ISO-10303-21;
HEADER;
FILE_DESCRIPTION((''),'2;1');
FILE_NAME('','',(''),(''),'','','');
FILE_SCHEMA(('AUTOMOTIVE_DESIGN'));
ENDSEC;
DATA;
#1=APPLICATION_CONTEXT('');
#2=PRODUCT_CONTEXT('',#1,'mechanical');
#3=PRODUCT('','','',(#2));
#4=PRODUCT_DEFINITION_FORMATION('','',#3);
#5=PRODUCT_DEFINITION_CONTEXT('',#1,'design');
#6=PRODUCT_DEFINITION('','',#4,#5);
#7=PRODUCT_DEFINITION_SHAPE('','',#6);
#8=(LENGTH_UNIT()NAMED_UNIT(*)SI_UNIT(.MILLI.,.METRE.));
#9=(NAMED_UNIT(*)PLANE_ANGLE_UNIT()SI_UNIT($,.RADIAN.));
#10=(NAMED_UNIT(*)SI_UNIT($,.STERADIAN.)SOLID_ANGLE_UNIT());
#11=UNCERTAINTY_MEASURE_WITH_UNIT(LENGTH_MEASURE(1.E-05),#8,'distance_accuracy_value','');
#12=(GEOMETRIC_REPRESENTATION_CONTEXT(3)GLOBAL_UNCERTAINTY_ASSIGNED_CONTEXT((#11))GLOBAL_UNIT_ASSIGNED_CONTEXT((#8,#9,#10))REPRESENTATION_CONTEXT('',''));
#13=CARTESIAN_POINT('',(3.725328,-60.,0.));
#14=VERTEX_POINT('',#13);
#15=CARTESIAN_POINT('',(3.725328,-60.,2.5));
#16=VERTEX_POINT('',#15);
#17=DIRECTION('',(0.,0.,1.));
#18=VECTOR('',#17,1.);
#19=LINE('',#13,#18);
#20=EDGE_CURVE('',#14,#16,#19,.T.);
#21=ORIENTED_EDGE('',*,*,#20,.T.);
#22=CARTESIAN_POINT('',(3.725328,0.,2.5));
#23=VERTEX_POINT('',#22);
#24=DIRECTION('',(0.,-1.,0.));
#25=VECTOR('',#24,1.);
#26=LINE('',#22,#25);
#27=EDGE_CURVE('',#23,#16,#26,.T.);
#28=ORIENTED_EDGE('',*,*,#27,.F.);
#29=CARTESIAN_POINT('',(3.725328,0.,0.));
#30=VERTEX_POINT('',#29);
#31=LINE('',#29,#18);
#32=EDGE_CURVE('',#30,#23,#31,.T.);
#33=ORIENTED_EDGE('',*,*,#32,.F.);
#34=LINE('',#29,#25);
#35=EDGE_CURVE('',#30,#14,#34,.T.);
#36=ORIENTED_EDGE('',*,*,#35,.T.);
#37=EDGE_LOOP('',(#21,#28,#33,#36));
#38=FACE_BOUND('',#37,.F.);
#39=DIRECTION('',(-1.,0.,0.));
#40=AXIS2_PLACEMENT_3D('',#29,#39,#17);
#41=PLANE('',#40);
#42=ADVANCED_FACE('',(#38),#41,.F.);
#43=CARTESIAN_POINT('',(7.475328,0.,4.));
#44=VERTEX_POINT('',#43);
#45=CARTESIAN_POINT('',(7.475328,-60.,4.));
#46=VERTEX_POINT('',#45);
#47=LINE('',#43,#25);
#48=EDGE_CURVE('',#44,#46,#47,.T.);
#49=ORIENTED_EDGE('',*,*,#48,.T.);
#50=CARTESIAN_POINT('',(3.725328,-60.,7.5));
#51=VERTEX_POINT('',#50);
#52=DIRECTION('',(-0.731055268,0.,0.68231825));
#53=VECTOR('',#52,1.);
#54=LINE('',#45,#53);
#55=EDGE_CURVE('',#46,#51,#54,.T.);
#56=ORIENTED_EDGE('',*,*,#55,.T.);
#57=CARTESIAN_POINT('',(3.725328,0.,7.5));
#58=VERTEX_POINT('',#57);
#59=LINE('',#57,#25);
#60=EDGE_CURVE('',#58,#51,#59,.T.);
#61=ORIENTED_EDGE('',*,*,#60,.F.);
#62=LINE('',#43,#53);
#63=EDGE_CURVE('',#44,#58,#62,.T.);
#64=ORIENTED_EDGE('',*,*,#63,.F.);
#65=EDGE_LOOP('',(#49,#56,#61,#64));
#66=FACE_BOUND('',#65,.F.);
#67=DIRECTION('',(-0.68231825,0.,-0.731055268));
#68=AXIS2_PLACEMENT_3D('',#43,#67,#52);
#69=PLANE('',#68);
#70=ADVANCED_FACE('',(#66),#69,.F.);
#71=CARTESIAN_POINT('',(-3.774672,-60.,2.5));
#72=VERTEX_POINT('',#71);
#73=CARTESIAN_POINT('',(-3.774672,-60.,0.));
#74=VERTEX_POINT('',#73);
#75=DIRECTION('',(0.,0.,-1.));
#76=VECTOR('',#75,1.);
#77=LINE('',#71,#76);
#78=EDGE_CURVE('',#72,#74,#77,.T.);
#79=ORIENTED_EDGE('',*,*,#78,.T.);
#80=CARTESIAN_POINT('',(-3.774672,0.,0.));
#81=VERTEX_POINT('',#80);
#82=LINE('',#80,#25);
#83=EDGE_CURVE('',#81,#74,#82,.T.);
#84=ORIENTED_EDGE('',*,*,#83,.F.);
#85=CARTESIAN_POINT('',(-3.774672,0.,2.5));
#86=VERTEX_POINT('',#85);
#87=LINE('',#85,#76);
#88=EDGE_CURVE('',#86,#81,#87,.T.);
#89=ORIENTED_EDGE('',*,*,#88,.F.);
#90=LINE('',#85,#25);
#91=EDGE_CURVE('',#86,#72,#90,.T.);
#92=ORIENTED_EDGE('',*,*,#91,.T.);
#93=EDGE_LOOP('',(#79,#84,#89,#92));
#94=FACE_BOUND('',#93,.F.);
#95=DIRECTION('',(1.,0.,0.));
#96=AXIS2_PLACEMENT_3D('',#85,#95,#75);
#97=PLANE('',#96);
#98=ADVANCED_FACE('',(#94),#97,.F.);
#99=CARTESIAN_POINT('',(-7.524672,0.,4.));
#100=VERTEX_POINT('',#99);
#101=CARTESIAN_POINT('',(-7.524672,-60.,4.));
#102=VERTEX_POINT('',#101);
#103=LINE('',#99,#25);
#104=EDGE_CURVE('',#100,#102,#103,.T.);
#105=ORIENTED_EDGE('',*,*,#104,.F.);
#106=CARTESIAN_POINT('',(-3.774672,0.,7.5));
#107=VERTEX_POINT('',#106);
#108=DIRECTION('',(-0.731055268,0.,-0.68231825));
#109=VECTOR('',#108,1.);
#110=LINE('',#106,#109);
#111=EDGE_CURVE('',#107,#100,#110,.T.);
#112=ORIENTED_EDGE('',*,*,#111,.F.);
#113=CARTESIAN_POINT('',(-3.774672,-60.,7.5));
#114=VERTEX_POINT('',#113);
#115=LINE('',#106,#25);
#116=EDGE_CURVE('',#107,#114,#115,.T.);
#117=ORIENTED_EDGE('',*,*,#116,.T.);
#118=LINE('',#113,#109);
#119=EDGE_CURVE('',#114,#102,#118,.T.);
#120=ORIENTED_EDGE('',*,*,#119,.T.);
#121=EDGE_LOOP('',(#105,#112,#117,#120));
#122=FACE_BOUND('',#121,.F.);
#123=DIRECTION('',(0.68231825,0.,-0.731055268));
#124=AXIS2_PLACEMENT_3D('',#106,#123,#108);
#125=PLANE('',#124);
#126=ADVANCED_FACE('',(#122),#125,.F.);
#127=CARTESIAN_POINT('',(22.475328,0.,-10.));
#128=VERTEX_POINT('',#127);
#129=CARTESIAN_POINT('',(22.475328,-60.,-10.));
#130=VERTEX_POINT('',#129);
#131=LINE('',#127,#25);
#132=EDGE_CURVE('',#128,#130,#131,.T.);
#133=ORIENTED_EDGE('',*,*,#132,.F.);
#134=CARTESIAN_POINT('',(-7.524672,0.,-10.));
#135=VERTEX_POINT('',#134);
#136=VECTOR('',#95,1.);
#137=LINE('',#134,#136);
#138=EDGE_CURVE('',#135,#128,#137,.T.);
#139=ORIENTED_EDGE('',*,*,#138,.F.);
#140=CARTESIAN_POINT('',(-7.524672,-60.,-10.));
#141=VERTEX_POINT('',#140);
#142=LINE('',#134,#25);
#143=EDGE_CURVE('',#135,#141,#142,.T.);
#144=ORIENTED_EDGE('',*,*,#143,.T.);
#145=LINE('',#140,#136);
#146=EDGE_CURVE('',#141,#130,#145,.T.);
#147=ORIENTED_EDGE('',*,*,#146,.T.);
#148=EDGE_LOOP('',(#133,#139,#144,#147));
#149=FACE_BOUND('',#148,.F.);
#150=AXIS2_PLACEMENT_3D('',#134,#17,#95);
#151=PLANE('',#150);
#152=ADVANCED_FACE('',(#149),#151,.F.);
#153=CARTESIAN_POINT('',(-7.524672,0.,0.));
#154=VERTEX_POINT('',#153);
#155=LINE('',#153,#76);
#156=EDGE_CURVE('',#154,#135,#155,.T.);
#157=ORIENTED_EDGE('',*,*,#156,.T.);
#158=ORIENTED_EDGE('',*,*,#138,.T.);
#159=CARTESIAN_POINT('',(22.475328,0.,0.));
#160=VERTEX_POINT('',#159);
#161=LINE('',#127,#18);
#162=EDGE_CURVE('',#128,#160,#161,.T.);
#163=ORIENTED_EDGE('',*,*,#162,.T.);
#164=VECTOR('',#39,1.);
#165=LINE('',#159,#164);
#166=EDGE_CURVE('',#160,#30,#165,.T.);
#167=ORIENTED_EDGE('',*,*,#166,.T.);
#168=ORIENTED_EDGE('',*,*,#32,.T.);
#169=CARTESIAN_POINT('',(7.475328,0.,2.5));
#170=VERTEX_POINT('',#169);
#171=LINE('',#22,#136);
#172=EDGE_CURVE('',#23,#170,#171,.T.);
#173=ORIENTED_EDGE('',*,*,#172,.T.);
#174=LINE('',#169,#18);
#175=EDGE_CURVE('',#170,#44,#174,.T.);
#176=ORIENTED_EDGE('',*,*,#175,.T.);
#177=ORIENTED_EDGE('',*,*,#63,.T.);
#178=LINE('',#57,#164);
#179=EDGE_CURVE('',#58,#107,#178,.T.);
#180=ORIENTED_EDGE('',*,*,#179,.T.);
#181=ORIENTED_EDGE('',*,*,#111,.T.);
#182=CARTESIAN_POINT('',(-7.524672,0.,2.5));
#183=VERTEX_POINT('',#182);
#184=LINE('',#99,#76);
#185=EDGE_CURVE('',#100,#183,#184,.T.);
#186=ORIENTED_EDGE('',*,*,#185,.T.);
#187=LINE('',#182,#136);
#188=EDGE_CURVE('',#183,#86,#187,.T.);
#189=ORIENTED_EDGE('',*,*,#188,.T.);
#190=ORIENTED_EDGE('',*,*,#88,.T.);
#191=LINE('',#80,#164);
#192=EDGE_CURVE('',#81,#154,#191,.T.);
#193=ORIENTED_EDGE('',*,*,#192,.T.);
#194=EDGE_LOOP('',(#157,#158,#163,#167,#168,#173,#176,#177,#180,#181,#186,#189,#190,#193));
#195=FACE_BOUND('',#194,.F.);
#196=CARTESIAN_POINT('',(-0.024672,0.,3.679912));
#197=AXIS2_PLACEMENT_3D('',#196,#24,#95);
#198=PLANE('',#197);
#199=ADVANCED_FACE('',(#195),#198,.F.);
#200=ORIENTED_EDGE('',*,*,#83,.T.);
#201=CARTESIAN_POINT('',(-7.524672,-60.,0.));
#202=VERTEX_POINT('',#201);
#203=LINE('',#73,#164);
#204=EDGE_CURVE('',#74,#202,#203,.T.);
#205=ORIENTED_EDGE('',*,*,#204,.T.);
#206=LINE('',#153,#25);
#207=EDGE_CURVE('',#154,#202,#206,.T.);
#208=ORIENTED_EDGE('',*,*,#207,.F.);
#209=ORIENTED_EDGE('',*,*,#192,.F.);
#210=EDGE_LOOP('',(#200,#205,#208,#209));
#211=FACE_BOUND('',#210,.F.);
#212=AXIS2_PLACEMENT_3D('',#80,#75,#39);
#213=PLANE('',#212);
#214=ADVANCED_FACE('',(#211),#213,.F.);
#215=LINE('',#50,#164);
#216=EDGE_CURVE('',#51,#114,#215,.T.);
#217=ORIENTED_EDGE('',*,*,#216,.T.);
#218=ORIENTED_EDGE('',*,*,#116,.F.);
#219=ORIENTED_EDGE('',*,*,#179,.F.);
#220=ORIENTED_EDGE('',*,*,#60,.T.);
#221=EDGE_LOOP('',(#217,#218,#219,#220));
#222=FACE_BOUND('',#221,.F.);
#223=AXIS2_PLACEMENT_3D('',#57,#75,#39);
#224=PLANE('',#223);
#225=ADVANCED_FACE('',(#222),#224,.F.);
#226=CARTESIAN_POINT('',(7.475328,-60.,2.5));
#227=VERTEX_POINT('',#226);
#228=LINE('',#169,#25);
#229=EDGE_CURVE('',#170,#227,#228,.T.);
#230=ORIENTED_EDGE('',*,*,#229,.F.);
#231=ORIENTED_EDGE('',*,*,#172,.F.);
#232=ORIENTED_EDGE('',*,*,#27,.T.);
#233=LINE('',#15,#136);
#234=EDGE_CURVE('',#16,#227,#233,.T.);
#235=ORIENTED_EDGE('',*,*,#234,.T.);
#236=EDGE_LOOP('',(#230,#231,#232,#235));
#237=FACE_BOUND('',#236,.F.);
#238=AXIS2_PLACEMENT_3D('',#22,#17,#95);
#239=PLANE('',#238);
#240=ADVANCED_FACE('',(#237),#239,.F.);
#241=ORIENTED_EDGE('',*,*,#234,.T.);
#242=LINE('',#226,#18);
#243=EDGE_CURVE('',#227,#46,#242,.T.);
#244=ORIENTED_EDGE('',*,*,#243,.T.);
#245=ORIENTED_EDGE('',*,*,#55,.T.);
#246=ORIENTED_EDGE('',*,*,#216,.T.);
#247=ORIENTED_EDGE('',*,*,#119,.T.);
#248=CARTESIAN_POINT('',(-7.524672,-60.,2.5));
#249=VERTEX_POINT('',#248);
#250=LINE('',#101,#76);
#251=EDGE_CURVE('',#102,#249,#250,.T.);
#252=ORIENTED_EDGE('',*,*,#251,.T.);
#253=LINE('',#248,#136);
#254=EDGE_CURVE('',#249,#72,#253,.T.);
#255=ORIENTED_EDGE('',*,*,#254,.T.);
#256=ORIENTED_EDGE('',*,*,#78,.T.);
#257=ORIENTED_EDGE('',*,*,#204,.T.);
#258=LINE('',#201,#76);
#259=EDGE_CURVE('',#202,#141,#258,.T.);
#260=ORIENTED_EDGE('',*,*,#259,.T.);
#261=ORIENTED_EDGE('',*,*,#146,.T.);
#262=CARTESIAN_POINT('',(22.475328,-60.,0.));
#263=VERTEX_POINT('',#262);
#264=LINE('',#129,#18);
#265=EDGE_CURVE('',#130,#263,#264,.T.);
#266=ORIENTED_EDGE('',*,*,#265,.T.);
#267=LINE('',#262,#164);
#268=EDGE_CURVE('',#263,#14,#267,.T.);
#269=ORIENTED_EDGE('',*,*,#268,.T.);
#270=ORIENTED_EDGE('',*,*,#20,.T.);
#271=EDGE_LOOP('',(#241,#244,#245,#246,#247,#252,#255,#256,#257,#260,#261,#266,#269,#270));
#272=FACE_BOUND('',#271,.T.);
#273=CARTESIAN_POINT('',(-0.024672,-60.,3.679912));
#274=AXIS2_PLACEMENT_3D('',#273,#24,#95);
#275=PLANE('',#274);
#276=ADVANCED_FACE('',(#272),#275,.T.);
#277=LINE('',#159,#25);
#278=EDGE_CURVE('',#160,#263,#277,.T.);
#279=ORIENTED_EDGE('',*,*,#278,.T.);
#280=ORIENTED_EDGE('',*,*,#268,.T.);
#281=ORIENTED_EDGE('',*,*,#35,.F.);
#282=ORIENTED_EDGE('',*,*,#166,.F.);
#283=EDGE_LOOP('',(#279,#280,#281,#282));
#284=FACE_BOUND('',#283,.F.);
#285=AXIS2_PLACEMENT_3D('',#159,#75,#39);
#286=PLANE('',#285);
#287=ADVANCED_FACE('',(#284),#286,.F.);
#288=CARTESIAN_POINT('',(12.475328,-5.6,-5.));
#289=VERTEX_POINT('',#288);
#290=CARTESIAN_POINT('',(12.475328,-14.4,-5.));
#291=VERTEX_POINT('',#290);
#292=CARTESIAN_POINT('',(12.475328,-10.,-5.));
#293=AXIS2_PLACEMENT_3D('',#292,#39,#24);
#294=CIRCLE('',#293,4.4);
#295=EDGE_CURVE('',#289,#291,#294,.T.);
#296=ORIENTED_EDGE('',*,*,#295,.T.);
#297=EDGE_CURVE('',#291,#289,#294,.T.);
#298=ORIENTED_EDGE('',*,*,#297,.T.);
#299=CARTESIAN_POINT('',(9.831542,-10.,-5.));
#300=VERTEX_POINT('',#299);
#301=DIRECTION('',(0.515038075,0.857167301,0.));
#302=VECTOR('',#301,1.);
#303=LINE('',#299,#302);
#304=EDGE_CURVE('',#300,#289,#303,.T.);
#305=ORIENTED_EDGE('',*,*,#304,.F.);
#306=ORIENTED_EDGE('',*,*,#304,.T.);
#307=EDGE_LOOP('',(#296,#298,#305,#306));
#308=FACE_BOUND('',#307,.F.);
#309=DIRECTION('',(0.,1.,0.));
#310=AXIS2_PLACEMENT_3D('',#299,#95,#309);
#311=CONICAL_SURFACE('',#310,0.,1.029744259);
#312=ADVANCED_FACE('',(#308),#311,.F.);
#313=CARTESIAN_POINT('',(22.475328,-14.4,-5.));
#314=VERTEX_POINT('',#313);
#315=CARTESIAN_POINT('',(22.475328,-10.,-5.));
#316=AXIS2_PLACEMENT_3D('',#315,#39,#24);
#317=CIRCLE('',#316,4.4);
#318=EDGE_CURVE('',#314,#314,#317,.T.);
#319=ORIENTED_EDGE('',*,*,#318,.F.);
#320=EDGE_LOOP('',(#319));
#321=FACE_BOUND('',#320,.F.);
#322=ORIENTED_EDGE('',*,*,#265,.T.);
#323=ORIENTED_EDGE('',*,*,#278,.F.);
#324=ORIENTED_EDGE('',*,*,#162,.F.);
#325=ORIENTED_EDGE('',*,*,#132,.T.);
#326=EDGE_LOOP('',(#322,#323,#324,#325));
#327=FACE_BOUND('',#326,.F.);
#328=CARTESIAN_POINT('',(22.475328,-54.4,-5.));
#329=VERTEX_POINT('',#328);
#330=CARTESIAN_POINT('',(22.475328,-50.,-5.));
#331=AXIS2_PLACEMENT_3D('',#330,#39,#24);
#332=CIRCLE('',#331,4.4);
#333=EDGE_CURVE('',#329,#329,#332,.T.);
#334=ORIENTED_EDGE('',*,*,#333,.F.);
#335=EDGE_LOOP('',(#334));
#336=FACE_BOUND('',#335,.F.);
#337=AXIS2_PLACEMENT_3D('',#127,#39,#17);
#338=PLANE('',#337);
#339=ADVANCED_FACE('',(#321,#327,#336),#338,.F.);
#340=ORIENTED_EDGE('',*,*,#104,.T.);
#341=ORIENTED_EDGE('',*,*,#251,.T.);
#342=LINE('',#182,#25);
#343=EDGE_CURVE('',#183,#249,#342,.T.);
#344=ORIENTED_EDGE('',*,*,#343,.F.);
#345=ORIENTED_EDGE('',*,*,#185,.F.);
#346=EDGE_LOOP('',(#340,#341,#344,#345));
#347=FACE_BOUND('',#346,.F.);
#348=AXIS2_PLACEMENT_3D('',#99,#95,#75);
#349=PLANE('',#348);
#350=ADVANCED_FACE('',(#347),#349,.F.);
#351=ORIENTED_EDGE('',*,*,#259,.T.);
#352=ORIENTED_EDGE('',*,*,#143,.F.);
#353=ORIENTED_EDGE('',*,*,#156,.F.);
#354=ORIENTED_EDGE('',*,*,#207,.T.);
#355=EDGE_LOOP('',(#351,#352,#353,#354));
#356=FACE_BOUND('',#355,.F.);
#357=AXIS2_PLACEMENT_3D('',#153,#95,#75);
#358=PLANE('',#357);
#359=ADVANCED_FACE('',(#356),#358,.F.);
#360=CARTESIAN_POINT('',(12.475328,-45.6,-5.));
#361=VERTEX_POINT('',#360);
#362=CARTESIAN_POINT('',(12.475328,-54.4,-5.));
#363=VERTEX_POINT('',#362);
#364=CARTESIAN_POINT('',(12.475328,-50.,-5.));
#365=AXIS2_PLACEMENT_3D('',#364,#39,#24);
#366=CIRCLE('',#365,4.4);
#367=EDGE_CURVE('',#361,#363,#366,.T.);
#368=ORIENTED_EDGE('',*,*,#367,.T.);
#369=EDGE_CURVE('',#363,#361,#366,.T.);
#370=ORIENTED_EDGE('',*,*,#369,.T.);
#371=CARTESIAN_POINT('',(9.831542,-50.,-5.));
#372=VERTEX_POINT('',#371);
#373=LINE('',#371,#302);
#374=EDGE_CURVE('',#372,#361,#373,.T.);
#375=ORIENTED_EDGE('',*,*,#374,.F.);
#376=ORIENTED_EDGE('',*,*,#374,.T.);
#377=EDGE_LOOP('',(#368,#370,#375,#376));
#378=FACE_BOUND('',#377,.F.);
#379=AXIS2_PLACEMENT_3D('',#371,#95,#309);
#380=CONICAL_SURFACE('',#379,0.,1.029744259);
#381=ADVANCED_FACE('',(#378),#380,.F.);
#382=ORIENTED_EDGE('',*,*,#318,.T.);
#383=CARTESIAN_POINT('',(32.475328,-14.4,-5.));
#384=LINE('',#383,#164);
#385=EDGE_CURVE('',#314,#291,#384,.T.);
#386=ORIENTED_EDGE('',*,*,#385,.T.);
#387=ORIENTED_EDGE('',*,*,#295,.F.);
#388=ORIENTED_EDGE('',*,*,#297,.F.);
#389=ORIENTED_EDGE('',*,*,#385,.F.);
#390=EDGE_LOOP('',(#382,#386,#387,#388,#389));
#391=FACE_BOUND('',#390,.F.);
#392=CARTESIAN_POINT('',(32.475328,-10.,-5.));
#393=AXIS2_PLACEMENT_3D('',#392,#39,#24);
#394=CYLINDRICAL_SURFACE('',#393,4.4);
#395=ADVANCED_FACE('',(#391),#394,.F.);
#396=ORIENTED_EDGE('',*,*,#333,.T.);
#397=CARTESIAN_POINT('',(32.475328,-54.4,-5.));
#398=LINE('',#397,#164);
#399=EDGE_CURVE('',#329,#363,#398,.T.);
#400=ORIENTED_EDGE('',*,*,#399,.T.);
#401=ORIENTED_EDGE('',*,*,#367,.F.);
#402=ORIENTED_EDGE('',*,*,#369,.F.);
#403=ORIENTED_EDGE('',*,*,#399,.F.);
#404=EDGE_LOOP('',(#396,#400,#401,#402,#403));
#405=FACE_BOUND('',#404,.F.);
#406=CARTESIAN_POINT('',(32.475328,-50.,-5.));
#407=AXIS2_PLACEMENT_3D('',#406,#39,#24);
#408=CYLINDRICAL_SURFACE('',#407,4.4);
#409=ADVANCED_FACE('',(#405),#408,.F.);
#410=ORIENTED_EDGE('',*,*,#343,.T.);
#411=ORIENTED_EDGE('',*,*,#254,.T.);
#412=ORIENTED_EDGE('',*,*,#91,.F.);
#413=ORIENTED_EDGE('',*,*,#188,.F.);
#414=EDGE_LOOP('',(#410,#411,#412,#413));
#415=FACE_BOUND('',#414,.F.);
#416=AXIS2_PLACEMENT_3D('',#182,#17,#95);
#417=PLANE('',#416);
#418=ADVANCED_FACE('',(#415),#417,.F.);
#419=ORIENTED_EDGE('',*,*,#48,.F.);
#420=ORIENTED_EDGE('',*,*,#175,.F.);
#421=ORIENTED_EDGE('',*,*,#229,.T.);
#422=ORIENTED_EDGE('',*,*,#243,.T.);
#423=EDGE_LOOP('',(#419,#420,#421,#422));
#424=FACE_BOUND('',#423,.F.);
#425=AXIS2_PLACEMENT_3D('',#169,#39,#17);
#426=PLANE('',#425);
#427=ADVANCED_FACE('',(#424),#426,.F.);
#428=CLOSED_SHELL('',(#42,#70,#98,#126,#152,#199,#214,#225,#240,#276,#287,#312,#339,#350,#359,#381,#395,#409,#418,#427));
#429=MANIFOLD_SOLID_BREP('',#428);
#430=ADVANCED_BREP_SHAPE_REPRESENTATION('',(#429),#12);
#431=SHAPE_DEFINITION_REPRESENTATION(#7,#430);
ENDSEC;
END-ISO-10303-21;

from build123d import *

# Parameters (mm, degrees)
F1_DEPTH = 60
F3_D     = 8.8
F3_DEPTH = 10
F3_TIP   = 2.6437867237


with BuildPart() as f1:
    # F0 (on Front) → F1 (new body)
    with BuildSketch(Plane.XZ):
        Polygon((-3.7746716016, 2.5), (-3.7746716016, 0), (3.7253283984, 0), (3.7253283984, 2.5), (7.4753283984, 2.5), (7.4753283984, 4), (3.7253283984, 7.5), (-3.7746716016, 7.5), (-7.5246716016, 4), (-7.5246716016, 2.5), align=None)
        Polygon((3.7253283984, 0), (-3.7746716016, 0), (-7.5246716016, 0), (-7.5246716016, -10), (22.4753283984, -10), (22.4753283984, 0), align=None)
    extrude(amount=F1_DEPTH)

    # F3
    with Locations(Plane.YZ.offset(22.4753283984)):
        with Locations((-50, -5), (-10, -5)):
            Hole(F3_D / 2, depth=F3_DEPTH)
            with Locations((0, 0, -(F3_DEPTH + F3_TIP / 2))):  # 118° drill point
                Cone(0, F3_D / 2, F3_TIP, mode=Mode.SUBTRACT)


solid = f1.part
